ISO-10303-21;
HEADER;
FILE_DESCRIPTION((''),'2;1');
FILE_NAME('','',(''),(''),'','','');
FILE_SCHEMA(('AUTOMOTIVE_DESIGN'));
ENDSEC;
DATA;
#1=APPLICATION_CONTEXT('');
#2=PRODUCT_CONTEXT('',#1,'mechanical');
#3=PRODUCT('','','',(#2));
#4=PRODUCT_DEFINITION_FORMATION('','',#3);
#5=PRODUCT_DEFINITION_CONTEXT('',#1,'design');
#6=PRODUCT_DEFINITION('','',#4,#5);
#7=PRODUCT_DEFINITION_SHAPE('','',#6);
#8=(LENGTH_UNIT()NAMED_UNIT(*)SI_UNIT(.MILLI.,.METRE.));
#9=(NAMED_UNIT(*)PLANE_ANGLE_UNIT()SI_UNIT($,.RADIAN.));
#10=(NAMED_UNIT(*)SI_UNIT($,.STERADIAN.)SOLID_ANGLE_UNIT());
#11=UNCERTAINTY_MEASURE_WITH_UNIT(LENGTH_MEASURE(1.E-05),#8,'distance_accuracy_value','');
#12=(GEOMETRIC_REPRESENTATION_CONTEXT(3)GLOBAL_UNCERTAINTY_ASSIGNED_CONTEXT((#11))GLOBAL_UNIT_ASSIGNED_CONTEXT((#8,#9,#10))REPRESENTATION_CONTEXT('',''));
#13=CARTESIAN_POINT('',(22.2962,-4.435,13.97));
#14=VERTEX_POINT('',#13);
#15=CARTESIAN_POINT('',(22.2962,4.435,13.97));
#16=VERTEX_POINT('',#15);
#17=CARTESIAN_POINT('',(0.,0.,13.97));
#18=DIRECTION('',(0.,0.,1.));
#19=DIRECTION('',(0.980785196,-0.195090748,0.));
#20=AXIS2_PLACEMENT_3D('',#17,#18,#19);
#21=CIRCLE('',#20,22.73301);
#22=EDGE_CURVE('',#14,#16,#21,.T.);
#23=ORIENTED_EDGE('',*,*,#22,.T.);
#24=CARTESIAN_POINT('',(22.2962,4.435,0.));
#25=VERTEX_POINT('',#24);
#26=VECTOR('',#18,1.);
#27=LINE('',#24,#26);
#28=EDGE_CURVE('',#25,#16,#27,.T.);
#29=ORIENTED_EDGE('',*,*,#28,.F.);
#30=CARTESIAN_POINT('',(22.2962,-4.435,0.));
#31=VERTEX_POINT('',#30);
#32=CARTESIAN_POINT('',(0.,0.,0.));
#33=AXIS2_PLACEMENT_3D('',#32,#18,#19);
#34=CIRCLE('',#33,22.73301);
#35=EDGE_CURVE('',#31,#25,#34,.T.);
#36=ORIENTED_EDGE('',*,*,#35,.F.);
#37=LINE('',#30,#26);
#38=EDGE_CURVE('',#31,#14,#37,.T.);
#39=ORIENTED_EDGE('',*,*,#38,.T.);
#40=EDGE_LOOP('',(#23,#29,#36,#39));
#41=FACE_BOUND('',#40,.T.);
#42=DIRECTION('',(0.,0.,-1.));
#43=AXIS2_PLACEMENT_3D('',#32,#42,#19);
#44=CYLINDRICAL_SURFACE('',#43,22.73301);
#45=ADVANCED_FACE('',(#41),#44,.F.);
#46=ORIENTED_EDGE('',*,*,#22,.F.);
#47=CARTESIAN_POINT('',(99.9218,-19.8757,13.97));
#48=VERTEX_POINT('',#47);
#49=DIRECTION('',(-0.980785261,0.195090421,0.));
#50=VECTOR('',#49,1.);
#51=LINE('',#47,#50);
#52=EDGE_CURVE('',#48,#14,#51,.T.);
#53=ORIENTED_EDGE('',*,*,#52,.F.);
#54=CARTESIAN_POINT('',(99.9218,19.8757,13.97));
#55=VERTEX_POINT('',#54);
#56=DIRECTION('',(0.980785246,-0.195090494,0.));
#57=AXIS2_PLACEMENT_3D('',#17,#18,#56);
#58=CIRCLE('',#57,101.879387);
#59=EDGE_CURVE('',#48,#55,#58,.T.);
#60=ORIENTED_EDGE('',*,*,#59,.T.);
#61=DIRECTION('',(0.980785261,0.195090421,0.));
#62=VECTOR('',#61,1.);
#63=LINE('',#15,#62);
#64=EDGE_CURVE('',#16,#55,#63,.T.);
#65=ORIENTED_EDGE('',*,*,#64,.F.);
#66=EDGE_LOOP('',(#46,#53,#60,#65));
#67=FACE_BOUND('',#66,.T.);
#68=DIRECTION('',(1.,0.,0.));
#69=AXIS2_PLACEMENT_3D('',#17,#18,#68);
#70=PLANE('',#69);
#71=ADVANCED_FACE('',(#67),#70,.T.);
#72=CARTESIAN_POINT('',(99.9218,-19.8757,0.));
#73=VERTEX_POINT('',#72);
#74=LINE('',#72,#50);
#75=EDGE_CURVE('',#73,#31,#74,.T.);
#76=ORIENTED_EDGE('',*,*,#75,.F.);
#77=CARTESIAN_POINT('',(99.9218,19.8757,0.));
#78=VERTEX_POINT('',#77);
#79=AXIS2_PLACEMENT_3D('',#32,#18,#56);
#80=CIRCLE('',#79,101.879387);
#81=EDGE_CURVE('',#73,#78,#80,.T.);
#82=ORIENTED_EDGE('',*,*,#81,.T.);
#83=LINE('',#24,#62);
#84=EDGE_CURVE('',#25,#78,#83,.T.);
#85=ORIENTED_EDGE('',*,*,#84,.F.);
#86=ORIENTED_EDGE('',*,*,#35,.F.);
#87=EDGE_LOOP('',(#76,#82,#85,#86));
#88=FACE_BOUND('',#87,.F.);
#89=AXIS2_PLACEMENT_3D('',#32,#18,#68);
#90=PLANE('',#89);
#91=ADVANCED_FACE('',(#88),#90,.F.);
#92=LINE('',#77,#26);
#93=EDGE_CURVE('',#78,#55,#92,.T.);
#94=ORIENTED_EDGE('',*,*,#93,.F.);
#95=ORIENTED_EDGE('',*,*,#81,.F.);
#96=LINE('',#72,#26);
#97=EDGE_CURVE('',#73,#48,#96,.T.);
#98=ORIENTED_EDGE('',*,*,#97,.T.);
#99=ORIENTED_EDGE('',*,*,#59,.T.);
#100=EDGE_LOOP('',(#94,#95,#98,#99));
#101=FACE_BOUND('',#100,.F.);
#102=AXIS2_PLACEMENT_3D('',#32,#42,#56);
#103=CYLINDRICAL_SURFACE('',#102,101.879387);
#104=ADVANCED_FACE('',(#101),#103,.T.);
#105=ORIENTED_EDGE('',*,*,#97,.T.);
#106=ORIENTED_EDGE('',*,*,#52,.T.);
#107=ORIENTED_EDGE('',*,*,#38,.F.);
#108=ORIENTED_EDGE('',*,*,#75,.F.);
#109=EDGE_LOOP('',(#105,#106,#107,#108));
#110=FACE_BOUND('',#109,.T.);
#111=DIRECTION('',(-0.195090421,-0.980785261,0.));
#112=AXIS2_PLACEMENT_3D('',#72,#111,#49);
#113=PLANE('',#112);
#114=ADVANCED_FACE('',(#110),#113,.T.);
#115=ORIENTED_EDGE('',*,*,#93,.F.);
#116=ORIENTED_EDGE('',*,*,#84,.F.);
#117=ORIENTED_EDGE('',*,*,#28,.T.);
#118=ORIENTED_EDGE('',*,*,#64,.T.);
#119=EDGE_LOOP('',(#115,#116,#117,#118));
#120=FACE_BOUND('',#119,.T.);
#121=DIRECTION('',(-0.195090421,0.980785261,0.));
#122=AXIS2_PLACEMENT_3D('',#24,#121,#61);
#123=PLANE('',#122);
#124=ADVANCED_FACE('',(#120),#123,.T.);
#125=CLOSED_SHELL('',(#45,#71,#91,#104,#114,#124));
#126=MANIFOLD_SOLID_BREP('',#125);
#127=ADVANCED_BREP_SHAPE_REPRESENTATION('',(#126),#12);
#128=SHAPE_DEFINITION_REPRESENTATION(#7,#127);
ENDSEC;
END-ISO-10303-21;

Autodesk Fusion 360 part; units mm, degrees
sketch "Sketch1" plane through (0, 0, 0) normal (0, 0, 1) x (1, 0, 0)
  arc A0 (22.2962, -4.435) -> (22.2962, 4.435) centre (0, 0) ccw
  line L0 (22.2962, 4.435) -> (99.9218, 19.8757)
  arc A1 (99.9218, -19.8757) -> (99.9218, 19.8757) centre (0, 0) ccw
  line L1 (99.9218, -19.8757) -> (22.2962, -4.435)
extrude "Extrude1" add sketch "Sketch1" along normal blind 13.97
